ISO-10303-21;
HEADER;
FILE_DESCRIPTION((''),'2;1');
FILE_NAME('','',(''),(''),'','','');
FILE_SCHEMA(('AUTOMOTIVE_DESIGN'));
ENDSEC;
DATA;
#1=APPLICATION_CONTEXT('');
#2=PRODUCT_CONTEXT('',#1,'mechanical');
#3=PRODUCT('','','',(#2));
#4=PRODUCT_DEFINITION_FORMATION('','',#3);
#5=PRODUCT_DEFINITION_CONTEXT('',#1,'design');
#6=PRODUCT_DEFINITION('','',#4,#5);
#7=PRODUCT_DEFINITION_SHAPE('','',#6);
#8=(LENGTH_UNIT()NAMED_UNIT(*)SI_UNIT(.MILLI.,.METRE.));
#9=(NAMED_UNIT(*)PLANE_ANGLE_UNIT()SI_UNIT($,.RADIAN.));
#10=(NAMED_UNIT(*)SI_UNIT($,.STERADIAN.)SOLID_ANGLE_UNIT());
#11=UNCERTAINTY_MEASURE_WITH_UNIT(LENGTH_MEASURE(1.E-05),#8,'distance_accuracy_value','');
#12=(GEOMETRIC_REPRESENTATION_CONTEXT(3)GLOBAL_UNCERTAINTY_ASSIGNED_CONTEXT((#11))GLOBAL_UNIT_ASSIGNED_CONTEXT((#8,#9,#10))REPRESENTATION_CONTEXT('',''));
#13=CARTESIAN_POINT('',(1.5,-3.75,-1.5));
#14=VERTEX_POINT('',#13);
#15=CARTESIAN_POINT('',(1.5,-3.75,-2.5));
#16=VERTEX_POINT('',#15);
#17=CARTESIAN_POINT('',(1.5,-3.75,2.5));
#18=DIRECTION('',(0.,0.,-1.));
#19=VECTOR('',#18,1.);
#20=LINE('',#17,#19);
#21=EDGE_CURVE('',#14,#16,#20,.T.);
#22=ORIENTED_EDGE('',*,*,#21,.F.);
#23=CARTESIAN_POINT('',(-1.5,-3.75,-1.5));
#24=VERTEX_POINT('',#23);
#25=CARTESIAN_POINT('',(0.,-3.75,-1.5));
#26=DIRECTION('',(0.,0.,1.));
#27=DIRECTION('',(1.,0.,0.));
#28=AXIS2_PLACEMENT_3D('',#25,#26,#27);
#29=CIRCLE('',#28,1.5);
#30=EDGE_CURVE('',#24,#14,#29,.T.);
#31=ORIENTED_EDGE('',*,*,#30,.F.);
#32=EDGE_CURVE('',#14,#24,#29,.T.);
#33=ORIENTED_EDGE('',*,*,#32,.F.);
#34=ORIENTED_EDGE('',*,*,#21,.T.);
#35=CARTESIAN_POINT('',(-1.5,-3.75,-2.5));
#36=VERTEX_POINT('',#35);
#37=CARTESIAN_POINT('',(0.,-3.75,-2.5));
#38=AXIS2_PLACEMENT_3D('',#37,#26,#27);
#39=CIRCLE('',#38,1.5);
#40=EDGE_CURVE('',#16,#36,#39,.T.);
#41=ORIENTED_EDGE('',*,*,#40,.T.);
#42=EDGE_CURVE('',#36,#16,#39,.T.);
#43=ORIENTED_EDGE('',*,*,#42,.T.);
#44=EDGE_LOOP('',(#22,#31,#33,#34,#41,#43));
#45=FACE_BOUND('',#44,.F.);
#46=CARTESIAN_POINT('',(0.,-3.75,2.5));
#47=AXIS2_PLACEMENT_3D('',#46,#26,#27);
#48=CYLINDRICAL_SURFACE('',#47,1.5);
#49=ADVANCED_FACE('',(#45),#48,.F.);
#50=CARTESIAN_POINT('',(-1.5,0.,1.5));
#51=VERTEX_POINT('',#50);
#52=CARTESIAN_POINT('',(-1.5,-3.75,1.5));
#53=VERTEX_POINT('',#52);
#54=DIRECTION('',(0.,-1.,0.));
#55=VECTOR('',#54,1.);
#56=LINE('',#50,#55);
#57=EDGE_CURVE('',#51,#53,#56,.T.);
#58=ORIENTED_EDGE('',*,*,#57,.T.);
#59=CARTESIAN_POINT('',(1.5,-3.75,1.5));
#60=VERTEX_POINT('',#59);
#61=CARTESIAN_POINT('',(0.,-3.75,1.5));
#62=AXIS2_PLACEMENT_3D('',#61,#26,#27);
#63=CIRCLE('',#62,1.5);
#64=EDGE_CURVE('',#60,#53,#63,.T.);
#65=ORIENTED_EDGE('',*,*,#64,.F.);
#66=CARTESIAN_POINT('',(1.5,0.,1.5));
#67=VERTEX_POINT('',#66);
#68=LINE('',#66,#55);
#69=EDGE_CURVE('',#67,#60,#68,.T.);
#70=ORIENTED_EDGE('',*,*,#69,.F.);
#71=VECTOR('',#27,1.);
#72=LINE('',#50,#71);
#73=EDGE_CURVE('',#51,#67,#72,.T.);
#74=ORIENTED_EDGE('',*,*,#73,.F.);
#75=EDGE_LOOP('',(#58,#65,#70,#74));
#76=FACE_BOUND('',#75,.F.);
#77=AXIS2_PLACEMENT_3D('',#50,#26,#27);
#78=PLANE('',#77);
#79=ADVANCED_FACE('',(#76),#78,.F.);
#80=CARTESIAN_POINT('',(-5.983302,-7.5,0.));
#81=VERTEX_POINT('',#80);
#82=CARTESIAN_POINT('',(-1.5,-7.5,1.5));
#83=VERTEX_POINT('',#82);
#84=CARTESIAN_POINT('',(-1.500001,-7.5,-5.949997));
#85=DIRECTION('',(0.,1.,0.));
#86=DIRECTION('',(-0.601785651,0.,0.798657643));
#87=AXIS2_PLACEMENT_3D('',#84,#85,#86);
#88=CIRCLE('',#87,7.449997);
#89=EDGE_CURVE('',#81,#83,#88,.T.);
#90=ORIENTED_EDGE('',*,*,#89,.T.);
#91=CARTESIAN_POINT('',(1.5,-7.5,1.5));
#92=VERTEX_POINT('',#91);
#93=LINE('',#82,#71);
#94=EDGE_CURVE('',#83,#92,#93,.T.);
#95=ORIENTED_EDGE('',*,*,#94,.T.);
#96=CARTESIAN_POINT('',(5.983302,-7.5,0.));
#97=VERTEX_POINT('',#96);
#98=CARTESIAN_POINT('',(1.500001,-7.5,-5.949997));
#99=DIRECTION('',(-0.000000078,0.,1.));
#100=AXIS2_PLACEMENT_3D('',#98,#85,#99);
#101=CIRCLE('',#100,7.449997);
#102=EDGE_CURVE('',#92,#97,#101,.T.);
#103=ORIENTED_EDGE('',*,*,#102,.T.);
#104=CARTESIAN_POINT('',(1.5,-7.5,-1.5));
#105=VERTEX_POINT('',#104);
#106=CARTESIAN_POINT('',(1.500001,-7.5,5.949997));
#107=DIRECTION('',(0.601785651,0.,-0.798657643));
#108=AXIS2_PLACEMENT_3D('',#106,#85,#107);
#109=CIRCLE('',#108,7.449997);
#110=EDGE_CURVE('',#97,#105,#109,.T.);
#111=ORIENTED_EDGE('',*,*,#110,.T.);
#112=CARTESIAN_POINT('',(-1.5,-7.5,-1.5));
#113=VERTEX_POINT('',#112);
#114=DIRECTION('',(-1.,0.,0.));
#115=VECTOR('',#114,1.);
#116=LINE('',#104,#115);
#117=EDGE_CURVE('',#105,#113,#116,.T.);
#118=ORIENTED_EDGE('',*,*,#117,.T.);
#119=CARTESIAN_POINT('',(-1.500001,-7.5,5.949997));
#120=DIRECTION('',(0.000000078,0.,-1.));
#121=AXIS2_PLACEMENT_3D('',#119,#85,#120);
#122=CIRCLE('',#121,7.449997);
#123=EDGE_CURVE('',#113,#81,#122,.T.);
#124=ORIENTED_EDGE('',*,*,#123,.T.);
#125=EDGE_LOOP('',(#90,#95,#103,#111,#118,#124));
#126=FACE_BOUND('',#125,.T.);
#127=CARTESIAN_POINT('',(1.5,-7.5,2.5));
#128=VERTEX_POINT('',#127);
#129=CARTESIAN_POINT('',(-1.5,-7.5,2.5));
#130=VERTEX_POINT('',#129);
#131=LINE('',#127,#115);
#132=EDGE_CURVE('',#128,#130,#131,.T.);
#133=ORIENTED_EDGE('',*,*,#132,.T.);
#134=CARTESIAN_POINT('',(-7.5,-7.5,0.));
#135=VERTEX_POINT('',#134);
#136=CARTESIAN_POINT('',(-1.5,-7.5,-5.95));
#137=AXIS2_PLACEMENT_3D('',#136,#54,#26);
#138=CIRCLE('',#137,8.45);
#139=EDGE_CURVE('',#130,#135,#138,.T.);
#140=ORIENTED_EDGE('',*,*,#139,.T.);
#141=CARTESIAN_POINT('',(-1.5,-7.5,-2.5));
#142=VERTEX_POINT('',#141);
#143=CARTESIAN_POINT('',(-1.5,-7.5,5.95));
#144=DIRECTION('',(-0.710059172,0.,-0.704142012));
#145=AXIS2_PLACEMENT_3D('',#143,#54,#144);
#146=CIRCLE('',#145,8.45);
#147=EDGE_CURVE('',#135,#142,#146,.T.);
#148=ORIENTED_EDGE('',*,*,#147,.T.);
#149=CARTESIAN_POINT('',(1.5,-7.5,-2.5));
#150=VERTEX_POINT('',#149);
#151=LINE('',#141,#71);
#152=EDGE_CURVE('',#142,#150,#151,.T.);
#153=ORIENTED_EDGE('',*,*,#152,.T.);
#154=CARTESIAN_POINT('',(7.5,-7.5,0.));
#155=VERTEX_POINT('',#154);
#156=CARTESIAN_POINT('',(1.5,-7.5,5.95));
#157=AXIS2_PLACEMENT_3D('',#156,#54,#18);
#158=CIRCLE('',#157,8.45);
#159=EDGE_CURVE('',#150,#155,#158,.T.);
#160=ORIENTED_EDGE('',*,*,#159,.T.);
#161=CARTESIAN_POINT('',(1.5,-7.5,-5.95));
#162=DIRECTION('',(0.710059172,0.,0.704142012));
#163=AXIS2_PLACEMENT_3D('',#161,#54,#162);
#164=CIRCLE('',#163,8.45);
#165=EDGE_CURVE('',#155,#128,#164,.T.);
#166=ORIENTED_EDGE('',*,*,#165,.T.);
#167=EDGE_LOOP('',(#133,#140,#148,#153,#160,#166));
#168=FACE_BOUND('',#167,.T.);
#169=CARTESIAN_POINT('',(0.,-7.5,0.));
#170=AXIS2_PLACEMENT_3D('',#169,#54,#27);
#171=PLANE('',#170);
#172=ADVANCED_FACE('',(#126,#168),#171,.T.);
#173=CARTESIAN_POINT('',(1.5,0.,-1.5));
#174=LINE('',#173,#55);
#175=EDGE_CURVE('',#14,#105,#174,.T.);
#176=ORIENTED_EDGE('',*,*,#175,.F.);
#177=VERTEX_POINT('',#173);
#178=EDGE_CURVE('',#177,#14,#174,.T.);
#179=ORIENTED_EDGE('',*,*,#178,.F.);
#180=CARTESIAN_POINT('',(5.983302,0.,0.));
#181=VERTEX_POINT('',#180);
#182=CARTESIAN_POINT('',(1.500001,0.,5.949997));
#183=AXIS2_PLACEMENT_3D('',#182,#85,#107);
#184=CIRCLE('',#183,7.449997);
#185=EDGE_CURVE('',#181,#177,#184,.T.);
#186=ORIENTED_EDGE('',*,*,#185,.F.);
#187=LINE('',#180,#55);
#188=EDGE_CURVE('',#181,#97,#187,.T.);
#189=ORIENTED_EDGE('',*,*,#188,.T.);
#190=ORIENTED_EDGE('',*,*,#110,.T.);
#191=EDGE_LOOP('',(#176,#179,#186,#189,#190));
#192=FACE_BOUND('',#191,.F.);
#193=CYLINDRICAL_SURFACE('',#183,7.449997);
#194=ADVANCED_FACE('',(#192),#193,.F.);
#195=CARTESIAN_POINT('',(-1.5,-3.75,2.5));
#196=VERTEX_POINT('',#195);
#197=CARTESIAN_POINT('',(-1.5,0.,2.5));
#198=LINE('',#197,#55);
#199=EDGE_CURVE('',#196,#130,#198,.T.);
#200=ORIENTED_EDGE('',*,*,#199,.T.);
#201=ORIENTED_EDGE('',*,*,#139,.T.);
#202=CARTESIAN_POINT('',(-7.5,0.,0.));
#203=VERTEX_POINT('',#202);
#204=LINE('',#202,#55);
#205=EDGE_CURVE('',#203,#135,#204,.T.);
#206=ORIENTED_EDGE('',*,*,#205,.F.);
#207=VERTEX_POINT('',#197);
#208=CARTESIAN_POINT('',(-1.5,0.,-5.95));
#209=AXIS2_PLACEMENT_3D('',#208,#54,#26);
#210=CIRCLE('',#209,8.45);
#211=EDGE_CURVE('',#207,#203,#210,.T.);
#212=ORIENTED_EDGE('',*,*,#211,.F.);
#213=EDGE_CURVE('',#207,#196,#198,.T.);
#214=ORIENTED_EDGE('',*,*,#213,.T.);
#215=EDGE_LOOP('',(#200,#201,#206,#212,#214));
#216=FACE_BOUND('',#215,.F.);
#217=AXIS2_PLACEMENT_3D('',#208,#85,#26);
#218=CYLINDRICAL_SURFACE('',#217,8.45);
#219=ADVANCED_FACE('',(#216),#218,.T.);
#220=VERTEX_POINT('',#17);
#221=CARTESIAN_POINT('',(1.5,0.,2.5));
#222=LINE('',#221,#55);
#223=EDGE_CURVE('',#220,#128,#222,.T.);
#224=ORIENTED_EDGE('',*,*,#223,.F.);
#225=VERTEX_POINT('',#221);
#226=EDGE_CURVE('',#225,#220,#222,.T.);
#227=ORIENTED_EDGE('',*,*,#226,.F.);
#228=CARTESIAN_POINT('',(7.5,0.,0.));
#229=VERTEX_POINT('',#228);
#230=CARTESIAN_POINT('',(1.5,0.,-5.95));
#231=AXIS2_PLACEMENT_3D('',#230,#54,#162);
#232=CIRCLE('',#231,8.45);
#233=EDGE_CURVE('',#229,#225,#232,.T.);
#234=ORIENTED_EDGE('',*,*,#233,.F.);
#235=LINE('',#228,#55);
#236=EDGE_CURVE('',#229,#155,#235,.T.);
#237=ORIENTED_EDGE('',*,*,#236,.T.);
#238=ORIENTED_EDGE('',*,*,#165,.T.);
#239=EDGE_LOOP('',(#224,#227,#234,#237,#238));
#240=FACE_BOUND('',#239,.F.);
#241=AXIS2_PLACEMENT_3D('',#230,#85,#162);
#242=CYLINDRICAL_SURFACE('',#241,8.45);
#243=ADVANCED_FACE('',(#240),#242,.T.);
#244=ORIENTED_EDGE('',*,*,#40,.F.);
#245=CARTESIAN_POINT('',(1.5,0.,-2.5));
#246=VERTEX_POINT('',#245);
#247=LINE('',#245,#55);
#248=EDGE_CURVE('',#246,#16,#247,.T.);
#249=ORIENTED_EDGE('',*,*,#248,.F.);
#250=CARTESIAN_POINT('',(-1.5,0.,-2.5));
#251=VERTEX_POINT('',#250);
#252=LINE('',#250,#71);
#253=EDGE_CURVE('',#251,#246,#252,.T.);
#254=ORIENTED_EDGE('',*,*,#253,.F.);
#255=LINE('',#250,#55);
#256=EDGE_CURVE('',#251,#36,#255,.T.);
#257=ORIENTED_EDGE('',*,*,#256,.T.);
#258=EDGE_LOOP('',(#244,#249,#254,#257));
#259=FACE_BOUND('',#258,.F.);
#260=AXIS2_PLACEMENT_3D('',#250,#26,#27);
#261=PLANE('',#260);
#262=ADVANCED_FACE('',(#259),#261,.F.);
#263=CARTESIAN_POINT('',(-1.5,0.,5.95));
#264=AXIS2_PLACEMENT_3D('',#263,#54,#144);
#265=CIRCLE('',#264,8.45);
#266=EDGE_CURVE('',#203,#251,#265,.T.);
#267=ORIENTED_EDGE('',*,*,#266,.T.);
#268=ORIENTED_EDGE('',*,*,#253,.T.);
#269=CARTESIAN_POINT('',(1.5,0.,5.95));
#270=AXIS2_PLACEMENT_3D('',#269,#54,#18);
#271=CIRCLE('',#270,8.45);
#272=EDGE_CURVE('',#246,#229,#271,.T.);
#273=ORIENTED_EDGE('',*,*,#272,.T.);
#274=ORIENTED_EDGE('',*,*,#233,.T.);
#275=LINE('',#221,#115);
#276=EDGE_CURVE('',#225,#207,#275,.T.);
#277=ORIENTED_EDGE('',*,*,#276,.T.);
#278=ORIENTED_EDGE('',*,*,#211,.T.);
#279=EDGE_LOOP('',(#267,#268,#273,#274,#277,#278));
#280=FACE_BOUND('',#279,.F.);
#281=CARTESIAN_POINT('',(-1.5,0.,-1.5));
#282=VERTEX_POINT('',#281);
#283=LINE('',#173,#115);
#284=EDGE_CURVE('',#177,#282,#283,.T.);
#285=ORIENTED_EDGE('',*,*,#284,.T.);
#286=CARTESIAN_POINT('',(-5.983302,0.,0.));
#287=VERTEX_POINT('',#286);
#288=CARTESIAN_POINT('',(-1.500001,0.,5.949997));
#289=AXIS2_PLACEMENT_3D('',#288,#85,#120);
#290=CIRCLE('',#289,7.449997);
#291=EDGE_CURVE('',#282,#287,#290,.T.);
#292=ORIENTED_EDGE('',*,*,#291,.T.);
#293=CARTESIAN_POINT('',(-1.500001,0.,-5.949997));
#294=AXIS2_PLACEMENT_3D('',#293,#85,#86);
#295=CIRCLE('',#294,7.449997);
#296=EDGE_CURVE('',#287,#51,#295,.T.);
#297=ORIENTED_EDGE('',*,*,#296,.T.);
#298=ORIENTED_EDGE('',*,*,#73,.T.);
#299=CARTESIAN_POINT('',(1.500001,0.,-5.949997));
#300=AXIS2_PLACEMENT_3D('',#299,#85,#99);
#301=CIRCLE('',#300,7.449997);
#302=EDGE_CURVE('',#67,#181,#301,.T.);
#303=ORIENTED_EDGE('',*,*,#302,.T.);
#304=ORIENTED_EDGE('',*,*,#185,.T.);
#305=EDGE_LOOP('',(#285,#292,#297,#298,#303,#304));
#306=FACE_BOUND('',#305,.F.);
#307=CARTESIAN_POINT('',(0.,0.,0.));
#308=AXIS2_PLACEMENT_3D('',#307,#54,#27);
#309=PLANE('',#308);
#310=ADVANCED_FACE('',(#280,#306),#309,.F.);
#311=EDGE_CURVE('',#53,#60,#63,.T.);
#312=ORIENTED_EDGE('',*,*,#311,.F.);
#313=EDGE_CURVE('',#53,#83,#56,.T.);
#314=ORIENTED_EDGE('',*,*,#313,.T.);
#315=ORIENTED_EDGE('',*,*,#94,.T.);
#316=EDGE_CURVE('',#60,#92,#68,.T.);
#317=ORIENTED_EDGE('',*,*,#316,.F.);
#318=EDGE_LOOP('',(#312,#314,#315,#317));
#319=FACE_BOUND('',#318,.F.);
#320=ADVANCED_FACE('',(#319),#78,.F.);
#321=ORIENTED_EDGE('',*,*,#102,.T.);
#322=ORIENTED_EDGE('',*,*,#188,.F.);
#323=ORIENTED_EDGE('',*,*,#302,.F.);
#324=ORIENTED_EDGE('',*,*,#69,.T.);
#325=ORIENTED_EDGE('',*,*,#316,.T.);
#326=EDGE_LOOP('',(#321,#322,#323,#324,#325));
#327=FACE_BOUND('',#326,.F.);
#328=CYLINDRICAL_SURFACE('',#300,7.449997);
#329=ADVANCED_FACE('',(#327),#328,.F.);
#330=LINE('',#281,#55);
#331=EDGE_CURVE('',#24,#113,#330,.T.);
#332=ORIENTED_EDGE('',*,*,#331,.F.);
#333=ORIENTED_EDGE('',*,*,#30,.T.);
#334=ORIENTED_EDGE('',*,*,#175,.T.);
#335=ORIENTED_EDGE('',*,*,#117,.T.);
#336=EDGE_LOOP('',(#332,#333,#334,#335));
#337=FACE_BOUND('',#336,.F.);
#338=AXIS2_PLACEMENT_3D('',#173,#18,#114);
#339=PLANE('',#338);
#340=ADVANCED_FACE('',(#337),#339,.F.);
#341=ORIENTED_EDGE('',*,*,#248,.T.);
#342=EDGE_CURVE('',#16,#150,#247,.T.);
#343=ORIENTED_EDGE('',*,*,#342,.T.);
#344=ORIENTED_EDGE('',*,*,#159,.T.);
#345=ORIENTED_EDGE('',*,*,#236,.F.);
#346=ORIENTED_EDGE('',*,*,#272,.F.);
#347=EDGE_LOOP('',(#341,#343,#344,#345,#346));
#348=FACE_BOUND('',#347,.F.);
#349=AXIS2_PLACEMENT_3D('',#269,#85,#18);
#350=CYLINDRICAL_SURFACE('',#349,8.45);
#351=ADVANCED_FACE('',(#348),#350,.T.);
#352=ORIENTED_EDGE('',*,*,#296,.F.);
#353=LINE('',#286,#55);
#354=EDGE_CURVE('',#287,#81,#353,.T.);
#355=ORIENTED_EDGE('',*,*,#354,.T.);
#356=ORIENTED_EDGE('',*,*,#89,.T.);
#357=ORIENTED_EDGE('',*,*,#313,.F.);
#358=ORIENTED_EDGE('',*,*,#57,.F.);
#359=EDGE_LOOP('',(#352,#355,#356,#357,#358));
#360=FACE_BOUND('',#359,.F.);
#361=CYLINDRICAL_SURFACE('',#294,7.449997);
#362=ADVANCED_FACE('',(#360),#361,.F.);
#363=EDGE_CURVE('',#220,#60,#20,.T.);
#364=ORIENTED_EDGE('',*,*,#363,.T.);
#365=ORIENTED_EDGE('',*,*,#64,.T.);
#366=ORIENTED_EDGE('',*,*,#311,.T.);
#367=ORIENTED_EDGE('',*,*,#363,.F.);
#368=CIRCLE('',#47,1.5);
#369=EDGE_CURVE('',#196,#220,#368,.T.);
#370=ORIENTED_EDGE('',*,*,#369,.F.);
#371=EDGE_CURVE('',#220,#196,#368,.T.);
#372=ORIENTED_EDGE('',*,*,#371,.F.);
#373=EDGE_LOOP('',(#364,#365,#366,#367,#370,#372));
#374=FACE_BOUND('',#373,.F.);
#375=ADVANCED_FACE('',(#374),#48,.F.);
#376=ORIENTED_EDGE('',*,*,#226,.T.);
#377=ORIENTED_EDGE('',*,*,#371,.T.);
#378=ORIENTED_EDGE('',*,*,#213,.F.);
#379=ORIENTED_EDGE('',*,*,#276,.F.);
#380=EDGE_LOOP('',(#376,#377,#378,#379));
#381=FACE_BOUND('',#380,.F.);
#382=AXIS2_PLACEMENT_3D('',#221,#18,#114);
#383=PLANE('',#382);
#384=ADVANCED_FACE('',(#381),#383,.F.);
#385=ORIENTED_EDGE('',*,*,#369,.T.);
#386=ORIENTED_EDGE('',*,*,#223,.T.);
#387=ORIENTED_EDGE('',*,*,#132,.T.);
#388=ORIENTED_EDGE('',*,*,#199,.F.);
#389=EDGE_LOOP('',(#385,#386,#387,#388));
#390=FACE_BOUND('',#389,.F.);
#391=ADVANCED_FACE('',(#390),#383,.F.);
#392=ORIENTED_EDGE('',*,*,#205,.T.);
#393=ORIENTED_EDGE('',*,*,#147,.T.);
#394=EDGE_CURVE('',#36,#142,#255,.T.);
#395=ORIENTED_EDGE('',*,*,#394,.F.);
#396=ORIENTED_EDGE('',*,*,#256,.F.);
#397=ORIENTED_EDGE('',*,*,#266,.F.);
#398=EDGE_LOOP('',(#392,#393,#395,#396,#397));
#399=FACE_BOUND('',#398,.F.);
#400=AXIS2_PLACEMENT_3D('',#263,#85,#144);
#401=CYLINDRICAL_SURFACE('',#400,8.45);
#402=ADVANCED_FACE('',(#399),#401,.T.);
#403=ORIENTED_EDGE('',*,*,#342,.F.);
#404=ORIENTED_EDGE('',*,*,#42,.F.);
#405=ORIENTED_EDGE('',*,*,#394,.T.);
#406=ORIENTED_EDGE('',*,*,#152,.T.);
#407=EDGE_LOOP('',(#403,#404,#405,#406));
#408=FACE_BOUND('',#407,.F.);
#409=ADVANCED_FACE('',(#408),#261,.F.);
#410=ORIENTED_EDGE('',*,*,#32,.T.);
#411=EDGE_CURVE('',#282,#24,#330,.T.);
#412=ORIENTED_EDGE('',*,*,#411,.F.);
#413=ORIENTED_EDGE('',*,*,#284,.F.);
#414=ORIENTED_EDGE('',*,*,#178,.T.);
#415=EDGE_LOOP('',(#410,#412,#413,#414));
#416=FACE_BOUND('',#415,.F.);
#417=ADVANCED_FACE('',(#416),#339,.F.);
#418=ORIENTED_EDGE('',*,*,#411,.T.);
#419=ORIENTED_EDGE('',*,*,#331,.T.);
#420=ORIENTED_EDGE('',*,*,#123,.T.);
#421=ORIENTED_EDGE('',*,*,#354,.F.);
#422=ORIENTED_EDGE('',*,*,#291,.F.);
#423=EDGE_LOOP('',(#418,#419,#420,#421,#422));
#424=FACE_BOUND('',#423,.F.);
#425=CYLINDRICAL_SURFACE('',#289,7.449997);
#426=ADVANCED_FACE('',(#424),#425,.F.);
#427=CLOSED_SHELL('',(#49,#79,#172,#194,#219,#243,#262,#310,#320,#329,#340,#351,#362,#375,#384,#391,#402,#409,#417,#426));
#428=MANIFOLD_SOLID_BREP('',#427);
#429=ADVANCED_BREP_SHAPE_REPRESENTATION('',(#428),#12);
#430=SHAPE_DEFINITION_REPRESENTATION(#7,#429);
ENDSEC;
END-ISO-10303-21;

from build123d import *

# Parameters (mm, degrees)
F1_DEPTH = 7.5
F2_R     = 1.5
F3_DEPTH = 5.001


with BuildPart() as f1:
    # F0 (on Front) → F1 (new body)
    with BuildSketch(Plane.XZ):
        with BuildLine():
            ThreePointArc((7.5, 0), (4.75, 1.85), (1.5, 2.5))
            Line((1.5, 2.5), (-1.5, 2.5))
            ThreePointArc((-1.5, 2.5), (-4.75, 1.85), (-7.5, 0))
            ThreePointArc((-7.5, 0), (-4.75, -1.85), (-1.5, -2.5))
            Line((-1.5, -2.5), (1.5, -2.5))
            ThreePointArc((1.5, -2.5), (4.75, -1.85), (7.5, 0))
        make_face()
        with BuildLine():
            Line((-1.5, 1.5), (1.5, 1.5))
            ThreePointArc((1.5, 1.5), (3.863789, 1.115055), (5.983302, 0))
            ThreePointArc((5.983302, 0), (3.863789, -1.115055), (1.5, -1.5))
            Line((1.5, -1.5), (-1.5, -1.5))
            ThreePointArc((-1.5, -1.5), (-3.863789, -1.115055), (-5.983302, 0))
            ThreePointArc((-5.983302, 0), (-3.863789, 1.115055), (-1.5, 1.5))
        make_face(mode=Mode.SUBTRACT)
    extrude(amount=F1_DEPTH)

    # F2 (on face) → F3 (cut, through all)
    with BuildSketch(Plane.XY.offset(2.5)):
        with Locations((0, -3.75)):
            Circle(F2_R)
    extrude(amount=-F3_DEPTH, mode=Mode.SUBTRACT)


solid = f1.part
